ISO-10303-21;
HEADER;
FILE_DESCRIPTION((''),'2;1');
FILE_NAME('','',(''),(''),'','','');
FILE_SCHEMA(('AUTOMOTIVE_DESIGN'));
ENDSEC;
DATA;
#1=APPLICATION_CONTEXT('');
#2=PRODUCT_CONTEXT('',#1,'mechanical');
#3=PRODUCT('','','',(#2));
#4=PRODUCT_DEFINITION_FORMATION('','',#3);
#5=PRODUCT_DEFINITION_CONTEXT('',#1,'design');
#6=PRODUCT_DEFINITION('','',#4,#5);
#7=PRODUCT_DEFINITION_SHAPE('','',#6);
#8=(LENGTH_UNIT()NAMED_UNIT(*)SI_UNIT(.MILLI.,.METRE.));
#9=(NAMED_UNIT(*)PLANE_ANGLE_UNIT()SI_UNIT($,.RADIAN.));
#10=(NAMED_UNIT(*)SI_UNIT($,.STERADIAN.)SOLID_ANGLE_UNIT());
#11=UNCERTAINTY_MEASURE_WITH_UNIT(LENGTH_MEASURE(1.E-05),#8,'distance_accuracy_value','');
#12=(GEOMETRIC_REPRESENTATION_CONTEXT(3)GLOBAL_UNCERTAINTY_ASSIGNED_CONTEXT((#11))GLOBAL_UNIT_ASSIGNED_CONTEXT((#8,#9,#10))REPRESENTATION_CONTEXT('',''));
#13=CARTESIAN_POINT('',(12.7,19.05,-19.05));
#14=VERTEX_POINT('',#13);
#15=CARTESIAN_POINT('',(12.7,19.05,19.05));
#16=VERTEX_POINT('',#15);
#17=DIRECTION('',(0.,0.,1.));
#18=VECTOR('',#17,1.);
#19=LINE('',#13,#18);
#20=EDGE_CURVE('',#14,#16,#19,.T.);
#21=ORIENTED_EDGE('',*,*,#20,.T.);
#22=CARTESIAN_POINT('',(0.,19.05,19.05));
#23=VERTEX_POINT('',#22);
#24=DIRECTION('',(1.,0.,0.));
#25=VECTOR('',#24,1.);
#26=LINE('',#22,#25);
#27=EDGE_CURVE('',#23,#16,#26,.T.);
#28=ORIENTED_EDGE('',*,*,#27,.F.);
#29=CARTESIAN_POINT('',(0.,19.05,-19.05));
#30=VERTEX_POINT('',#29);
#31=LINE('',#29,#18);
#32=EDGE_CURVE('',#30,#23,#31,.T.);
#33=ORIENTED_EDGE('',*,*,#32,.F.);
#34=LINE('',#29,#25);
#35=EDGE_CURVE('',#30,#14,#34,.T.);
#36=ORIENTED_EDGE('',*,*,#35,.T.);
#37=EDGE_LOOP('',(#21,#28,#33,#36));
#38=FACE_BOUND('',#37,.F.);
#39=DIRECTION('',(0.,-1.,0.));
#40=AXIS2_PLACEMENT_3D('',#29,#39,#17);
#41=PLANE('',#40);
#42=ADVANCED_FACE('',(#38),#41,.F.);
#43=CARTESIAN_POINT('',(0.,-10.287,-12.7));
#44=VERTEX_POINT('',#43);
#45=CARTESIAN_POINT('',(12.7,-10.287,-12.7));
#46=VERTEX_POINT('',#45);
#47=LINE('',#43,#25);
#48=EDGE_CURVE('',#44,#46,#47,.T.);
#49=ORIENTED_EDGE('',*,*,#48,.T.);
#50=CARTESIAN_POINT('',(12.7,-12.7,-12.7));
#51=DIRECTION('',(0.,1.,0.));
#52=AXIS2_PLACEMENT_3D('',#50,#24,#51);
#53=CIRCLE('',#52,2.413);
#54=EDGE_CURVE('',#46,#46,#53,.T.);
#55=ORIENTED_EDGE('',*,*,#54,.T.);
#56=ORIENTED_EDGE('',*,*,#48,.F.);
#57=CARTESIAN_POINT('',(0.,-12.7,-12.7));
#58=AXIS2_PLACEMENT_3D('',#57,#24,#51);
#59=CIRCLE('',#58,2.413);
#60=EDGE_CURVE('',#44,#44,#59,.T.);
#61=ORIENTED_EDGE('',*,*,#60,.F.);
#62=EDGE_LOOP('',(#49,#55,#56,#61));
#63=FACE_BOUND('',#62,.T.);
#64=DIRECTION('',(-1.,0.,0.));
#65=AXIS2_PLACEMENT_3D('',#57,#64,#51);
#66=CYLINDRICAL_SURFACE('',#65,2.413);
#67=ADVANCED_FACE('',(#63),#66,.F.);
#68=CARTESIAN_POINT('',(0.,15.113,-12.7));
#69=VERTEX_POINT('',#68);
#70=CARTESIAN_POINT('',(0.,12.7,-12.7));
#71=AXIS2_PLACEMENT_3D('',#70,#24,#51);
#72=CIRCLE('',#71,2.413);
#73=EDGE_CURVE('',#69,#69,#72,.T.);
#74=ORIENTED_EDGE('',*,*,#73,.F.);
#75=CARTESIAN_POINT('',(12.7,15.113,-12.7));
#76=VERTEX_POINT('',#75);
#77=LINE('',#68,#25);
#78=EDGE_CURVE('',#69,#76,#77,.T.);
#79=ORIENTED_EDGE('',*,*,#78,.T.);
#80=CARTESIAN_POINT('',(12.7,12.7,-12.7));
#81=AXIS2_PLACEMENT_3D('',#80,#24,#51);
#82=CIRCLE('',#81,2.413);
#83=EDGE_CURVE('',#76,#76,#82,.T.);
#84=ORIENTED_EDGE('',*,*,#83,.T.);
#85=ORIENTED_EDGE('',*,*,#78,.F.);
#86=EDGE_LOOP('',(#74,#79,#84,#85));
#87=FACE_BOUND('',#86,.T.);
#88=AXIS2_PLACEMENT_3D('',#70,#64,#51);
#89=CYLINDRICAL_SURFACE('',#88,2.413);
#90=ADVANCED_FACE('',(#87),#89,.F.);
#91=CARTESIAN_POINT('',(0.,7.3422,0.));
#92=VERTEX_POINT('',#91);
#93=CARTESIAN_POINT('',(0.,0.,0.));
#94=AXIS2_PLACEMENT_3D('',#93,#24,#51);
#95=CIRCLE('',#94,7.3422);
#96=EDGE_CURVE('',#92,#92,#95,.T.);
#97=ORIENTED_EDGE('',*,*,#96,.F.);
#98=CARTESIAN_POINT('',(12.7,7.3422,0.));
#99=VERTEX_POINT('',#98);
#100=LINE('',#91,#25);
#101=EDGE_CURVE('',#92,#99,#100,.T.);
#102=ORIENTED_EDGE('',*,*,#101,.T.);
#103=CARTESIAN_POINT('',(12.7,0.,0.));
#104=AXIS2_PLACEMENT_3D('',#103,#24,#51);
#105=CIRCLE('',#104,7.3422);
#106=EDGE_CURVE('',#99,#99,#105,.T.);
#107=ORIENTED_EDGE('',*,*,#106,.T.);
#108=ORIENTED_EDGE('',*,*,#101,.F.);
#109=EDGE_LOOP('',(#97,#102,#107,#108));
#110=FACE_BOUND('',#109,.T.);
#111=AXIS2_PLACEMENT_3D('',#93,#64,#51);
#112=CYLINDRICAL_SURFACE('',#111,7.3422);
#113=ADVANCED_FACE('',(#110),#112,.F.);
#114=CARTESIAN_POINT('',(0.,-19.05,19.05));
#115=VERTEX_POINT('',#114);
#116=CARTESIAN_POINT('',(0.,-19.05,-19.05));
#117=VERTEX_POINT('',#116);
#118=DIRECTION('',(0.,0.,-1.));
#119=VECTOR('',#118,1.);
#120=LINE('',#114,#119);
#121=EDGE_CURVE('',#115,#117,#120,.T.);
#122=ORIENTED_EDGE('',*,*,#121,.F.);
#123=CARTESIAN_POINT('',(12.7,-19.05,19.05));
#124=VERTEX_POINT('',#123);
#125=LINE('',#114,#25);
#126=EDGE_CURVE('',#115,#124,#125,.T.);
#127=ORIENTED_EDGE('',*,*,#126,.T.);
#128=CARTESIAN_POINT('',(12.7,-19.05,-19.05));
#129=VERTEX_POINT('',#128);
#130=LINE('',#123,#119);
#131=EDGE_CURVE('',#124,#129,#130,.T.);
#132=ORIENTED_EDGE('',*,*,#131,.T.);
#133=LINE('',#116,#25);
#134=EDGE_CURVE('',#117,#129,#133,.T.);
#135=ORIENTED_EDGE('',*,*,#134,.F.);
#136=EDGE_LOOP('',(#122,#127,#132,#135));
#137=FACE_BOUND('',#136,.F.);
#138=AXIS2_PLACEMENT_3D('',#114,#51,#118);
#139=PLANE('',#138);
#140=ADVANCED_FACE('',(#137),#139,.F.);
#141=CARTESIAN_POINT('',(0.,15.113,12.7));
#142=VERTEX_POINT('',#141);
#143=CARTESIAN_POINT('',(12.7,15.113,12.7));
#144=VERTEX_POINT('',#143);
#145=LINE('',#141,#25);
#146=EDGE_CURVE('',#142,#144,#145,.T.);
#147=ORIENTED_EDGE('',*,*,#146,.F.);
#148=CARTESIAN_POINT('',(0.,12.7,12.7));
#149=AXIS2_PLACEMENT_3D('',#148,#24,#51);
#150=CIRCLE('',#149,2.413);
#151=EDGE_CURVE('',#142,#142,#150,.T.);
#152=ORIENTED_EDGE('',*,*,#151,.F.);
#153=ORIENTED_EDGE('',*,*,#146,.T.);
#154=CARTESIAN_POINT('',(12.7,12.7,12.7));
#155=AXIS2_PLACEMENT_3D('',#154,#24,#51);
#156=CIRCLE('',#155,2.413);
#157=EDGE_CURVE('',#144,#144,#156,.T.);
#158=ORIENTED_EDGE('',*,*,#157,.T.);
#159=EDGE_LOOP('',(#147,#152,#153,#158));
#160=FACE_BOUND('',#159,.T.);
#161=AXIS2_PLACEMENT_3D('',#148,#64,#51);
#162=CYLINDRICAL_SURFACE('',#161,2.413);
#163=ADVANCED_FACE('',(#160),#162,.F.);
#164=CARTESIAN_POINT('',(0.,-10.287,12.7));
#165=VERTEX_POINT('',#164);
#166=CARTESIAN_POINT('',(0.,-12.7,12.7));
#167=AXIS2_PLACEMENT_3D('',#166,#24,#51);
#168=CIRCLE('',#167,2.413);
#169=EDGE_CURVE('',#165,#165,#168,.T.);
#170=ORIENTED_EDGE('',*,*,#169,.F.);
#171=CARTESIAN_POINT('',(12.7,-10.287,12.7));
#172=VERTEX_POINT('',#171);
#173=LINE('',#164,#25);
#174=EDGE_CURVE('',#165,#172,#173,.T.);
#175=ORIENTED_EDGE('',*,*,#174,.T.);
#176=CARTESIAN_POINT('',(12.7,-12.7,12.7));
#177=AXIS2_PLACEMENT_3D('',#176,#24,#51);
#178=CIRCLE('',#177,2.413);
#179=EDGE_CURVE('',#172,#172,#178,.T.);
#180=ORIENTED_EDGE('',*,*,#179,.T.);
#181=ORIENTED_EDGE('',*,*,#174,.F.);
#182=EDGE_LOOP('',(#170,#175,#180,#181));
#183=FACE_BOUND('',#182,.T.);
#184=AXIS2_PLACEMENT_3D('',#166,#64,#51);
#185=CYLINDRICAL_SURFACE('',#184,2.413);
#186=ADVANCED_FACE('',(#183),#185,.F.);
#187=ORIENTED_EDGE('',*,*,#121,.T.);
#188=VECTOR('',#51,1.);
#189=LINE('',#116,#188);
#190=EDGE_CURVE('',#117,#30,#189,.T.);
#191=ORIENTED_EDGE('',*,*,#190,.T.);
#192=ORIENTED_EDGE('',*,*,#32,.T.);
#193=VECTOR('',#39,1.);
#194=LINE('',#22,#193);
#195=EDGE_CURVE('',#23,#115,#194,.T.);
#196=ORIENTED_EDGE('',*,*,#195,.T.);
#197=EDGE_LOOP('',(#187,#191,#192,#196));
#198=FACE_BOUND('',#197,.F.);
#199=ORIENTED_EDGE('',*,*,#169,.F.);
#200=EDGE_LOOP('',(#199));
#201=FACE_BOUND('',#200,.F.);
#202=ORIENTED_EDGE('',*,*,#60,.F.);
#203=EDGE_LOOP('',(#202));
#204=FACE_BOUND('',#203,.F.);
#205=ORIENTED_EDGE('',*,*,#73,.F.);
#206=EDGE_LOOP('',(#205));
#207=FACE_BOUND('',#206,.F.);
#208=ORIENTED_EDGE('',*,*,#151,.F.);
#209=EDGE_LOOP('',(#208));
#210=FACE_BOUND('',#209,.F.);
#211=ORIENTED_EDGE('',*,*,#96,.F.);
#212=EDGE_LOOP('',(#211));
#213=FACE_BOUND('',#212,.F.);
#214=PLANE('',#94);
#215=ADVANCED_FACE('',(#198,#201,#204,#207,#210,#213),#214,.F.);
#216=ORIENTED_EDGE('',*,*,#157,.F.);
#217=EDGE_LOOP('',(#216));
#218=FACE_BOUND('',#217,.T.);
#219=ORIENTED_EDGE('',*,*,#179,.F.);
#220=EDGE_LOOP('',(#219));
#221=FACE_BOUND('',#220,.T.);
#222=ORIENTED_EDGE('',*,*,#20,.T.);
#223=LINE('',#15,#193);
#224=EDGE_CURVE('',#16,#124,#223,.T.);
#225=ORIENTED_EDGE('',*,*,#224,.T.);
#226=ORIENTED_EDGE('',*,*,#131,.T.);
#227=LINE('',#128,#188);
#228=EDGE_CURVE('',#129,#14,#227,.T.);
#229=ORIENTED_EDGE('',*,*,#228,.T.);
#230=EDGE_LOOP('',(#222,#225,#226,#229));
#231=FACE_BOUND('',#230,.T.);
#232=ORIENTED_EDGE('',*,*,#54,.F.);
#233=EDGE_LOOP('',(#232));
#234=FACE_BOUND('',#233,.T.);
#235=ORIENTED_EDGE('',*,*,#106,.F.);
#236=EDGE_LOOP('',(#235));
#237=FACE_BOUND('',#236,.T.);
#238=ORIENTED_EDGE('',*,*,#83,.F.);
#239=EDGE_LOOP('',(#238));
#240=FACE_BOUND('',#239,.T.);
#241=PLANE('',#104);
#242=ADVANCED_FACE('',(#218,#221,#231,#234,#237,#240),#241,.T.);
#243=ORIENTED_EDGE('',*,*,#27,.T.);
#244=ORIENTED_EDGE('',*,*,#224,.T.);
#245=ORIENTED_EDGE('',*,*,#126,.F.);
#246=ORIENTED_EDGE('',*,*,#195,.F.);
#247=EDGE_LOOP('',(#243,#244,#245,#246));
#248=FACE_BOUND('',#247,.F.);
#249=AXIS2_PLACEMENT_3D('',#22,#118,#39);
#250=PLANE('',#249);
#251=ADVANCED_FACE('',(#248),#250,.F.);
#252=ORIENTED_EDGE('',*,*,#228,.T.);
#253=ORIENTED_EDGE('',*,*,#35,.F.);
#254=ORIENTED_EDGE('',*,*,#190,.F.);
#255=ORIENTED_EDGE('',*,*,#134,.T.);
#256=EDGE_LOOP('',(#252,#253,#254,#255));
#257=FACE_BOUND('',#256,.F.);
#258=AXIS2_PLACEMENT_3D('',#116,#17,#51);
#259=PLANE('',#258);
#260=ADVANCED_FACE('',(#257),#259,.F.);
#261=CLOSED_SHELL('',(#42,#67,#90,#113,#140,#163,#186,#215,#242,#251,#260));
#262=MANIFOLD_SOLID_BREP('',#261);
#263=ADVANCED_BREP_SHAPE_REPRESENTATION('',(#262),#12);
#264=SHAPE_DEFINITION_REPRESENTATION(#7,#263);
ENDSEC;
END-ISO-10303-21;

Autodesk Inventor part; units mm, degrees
ref_plane "YZ Plane" through (0, 0, 0) normal (1, 0, 0) x (0, 1, 0)
ref_plane "XZ Plane" through (0, 0, 0) normal (0, 1, 0) x (-1, 0, 0)
ref_plane "XY Plane" through (0, 0, 0) normal (0, 0, 1) x (1, 0, 0)
sketch "Sketch1" plane through (0, 0, 0) normal (1, 0, 0) x (0, 1, 0)
  line L0 (0, -26.67) -> (0, 26.67) construction
  line L1 (-26.67, 0) -> (26.67, 0) construction
  line L2 (19.05, 19.05) -> (-19.05, 19.05)
  line L3 (-19.05, 19.05) -> (-19.05, -19.05)
  line L4 (-19.05, -19.05) -> (19.05, -19.05)
  line L5 (19.05, -19.05) -> (19.05, 19.05)
  circle A0 centre (0, 0) radius 7.3422
  line L6 (12.7, 12.7) -> (-12.7, 12.7) construction
  line L7 (-12.7, 12.7) -> (-12.7, -12.7) construction
  line L8 (-12.7, -12.7) -> (12.7, -12.7) construction
  line L9 (12.7, -12.7) -> (12.7, 12.7) construction
  circle A1 centre (12.7, 12.7) radius 2.413
  circle A2 centre (12.7, -12.7) radius 2.413
  circle A3 centre (-12.7, -12.7) radius 2.413
  circle A4 centre (-12.7, 12.7) radius 2.413
  point P0 (19.05, 0)
  point P1 (0, 19.05)
  point P2 (12.7, 0)
  point P3 (0, 12.7)
  dimension "d0" = 38.1
  dimension "d1" = 14.6844
  dimension "d2" = 4.826
  dimension "d3" = 25.4
extrude "Extrusion1" add sketch "Sketch1" along normal blind 12.7
properties part number "Joint Mount" material "Aluminum 6061"
